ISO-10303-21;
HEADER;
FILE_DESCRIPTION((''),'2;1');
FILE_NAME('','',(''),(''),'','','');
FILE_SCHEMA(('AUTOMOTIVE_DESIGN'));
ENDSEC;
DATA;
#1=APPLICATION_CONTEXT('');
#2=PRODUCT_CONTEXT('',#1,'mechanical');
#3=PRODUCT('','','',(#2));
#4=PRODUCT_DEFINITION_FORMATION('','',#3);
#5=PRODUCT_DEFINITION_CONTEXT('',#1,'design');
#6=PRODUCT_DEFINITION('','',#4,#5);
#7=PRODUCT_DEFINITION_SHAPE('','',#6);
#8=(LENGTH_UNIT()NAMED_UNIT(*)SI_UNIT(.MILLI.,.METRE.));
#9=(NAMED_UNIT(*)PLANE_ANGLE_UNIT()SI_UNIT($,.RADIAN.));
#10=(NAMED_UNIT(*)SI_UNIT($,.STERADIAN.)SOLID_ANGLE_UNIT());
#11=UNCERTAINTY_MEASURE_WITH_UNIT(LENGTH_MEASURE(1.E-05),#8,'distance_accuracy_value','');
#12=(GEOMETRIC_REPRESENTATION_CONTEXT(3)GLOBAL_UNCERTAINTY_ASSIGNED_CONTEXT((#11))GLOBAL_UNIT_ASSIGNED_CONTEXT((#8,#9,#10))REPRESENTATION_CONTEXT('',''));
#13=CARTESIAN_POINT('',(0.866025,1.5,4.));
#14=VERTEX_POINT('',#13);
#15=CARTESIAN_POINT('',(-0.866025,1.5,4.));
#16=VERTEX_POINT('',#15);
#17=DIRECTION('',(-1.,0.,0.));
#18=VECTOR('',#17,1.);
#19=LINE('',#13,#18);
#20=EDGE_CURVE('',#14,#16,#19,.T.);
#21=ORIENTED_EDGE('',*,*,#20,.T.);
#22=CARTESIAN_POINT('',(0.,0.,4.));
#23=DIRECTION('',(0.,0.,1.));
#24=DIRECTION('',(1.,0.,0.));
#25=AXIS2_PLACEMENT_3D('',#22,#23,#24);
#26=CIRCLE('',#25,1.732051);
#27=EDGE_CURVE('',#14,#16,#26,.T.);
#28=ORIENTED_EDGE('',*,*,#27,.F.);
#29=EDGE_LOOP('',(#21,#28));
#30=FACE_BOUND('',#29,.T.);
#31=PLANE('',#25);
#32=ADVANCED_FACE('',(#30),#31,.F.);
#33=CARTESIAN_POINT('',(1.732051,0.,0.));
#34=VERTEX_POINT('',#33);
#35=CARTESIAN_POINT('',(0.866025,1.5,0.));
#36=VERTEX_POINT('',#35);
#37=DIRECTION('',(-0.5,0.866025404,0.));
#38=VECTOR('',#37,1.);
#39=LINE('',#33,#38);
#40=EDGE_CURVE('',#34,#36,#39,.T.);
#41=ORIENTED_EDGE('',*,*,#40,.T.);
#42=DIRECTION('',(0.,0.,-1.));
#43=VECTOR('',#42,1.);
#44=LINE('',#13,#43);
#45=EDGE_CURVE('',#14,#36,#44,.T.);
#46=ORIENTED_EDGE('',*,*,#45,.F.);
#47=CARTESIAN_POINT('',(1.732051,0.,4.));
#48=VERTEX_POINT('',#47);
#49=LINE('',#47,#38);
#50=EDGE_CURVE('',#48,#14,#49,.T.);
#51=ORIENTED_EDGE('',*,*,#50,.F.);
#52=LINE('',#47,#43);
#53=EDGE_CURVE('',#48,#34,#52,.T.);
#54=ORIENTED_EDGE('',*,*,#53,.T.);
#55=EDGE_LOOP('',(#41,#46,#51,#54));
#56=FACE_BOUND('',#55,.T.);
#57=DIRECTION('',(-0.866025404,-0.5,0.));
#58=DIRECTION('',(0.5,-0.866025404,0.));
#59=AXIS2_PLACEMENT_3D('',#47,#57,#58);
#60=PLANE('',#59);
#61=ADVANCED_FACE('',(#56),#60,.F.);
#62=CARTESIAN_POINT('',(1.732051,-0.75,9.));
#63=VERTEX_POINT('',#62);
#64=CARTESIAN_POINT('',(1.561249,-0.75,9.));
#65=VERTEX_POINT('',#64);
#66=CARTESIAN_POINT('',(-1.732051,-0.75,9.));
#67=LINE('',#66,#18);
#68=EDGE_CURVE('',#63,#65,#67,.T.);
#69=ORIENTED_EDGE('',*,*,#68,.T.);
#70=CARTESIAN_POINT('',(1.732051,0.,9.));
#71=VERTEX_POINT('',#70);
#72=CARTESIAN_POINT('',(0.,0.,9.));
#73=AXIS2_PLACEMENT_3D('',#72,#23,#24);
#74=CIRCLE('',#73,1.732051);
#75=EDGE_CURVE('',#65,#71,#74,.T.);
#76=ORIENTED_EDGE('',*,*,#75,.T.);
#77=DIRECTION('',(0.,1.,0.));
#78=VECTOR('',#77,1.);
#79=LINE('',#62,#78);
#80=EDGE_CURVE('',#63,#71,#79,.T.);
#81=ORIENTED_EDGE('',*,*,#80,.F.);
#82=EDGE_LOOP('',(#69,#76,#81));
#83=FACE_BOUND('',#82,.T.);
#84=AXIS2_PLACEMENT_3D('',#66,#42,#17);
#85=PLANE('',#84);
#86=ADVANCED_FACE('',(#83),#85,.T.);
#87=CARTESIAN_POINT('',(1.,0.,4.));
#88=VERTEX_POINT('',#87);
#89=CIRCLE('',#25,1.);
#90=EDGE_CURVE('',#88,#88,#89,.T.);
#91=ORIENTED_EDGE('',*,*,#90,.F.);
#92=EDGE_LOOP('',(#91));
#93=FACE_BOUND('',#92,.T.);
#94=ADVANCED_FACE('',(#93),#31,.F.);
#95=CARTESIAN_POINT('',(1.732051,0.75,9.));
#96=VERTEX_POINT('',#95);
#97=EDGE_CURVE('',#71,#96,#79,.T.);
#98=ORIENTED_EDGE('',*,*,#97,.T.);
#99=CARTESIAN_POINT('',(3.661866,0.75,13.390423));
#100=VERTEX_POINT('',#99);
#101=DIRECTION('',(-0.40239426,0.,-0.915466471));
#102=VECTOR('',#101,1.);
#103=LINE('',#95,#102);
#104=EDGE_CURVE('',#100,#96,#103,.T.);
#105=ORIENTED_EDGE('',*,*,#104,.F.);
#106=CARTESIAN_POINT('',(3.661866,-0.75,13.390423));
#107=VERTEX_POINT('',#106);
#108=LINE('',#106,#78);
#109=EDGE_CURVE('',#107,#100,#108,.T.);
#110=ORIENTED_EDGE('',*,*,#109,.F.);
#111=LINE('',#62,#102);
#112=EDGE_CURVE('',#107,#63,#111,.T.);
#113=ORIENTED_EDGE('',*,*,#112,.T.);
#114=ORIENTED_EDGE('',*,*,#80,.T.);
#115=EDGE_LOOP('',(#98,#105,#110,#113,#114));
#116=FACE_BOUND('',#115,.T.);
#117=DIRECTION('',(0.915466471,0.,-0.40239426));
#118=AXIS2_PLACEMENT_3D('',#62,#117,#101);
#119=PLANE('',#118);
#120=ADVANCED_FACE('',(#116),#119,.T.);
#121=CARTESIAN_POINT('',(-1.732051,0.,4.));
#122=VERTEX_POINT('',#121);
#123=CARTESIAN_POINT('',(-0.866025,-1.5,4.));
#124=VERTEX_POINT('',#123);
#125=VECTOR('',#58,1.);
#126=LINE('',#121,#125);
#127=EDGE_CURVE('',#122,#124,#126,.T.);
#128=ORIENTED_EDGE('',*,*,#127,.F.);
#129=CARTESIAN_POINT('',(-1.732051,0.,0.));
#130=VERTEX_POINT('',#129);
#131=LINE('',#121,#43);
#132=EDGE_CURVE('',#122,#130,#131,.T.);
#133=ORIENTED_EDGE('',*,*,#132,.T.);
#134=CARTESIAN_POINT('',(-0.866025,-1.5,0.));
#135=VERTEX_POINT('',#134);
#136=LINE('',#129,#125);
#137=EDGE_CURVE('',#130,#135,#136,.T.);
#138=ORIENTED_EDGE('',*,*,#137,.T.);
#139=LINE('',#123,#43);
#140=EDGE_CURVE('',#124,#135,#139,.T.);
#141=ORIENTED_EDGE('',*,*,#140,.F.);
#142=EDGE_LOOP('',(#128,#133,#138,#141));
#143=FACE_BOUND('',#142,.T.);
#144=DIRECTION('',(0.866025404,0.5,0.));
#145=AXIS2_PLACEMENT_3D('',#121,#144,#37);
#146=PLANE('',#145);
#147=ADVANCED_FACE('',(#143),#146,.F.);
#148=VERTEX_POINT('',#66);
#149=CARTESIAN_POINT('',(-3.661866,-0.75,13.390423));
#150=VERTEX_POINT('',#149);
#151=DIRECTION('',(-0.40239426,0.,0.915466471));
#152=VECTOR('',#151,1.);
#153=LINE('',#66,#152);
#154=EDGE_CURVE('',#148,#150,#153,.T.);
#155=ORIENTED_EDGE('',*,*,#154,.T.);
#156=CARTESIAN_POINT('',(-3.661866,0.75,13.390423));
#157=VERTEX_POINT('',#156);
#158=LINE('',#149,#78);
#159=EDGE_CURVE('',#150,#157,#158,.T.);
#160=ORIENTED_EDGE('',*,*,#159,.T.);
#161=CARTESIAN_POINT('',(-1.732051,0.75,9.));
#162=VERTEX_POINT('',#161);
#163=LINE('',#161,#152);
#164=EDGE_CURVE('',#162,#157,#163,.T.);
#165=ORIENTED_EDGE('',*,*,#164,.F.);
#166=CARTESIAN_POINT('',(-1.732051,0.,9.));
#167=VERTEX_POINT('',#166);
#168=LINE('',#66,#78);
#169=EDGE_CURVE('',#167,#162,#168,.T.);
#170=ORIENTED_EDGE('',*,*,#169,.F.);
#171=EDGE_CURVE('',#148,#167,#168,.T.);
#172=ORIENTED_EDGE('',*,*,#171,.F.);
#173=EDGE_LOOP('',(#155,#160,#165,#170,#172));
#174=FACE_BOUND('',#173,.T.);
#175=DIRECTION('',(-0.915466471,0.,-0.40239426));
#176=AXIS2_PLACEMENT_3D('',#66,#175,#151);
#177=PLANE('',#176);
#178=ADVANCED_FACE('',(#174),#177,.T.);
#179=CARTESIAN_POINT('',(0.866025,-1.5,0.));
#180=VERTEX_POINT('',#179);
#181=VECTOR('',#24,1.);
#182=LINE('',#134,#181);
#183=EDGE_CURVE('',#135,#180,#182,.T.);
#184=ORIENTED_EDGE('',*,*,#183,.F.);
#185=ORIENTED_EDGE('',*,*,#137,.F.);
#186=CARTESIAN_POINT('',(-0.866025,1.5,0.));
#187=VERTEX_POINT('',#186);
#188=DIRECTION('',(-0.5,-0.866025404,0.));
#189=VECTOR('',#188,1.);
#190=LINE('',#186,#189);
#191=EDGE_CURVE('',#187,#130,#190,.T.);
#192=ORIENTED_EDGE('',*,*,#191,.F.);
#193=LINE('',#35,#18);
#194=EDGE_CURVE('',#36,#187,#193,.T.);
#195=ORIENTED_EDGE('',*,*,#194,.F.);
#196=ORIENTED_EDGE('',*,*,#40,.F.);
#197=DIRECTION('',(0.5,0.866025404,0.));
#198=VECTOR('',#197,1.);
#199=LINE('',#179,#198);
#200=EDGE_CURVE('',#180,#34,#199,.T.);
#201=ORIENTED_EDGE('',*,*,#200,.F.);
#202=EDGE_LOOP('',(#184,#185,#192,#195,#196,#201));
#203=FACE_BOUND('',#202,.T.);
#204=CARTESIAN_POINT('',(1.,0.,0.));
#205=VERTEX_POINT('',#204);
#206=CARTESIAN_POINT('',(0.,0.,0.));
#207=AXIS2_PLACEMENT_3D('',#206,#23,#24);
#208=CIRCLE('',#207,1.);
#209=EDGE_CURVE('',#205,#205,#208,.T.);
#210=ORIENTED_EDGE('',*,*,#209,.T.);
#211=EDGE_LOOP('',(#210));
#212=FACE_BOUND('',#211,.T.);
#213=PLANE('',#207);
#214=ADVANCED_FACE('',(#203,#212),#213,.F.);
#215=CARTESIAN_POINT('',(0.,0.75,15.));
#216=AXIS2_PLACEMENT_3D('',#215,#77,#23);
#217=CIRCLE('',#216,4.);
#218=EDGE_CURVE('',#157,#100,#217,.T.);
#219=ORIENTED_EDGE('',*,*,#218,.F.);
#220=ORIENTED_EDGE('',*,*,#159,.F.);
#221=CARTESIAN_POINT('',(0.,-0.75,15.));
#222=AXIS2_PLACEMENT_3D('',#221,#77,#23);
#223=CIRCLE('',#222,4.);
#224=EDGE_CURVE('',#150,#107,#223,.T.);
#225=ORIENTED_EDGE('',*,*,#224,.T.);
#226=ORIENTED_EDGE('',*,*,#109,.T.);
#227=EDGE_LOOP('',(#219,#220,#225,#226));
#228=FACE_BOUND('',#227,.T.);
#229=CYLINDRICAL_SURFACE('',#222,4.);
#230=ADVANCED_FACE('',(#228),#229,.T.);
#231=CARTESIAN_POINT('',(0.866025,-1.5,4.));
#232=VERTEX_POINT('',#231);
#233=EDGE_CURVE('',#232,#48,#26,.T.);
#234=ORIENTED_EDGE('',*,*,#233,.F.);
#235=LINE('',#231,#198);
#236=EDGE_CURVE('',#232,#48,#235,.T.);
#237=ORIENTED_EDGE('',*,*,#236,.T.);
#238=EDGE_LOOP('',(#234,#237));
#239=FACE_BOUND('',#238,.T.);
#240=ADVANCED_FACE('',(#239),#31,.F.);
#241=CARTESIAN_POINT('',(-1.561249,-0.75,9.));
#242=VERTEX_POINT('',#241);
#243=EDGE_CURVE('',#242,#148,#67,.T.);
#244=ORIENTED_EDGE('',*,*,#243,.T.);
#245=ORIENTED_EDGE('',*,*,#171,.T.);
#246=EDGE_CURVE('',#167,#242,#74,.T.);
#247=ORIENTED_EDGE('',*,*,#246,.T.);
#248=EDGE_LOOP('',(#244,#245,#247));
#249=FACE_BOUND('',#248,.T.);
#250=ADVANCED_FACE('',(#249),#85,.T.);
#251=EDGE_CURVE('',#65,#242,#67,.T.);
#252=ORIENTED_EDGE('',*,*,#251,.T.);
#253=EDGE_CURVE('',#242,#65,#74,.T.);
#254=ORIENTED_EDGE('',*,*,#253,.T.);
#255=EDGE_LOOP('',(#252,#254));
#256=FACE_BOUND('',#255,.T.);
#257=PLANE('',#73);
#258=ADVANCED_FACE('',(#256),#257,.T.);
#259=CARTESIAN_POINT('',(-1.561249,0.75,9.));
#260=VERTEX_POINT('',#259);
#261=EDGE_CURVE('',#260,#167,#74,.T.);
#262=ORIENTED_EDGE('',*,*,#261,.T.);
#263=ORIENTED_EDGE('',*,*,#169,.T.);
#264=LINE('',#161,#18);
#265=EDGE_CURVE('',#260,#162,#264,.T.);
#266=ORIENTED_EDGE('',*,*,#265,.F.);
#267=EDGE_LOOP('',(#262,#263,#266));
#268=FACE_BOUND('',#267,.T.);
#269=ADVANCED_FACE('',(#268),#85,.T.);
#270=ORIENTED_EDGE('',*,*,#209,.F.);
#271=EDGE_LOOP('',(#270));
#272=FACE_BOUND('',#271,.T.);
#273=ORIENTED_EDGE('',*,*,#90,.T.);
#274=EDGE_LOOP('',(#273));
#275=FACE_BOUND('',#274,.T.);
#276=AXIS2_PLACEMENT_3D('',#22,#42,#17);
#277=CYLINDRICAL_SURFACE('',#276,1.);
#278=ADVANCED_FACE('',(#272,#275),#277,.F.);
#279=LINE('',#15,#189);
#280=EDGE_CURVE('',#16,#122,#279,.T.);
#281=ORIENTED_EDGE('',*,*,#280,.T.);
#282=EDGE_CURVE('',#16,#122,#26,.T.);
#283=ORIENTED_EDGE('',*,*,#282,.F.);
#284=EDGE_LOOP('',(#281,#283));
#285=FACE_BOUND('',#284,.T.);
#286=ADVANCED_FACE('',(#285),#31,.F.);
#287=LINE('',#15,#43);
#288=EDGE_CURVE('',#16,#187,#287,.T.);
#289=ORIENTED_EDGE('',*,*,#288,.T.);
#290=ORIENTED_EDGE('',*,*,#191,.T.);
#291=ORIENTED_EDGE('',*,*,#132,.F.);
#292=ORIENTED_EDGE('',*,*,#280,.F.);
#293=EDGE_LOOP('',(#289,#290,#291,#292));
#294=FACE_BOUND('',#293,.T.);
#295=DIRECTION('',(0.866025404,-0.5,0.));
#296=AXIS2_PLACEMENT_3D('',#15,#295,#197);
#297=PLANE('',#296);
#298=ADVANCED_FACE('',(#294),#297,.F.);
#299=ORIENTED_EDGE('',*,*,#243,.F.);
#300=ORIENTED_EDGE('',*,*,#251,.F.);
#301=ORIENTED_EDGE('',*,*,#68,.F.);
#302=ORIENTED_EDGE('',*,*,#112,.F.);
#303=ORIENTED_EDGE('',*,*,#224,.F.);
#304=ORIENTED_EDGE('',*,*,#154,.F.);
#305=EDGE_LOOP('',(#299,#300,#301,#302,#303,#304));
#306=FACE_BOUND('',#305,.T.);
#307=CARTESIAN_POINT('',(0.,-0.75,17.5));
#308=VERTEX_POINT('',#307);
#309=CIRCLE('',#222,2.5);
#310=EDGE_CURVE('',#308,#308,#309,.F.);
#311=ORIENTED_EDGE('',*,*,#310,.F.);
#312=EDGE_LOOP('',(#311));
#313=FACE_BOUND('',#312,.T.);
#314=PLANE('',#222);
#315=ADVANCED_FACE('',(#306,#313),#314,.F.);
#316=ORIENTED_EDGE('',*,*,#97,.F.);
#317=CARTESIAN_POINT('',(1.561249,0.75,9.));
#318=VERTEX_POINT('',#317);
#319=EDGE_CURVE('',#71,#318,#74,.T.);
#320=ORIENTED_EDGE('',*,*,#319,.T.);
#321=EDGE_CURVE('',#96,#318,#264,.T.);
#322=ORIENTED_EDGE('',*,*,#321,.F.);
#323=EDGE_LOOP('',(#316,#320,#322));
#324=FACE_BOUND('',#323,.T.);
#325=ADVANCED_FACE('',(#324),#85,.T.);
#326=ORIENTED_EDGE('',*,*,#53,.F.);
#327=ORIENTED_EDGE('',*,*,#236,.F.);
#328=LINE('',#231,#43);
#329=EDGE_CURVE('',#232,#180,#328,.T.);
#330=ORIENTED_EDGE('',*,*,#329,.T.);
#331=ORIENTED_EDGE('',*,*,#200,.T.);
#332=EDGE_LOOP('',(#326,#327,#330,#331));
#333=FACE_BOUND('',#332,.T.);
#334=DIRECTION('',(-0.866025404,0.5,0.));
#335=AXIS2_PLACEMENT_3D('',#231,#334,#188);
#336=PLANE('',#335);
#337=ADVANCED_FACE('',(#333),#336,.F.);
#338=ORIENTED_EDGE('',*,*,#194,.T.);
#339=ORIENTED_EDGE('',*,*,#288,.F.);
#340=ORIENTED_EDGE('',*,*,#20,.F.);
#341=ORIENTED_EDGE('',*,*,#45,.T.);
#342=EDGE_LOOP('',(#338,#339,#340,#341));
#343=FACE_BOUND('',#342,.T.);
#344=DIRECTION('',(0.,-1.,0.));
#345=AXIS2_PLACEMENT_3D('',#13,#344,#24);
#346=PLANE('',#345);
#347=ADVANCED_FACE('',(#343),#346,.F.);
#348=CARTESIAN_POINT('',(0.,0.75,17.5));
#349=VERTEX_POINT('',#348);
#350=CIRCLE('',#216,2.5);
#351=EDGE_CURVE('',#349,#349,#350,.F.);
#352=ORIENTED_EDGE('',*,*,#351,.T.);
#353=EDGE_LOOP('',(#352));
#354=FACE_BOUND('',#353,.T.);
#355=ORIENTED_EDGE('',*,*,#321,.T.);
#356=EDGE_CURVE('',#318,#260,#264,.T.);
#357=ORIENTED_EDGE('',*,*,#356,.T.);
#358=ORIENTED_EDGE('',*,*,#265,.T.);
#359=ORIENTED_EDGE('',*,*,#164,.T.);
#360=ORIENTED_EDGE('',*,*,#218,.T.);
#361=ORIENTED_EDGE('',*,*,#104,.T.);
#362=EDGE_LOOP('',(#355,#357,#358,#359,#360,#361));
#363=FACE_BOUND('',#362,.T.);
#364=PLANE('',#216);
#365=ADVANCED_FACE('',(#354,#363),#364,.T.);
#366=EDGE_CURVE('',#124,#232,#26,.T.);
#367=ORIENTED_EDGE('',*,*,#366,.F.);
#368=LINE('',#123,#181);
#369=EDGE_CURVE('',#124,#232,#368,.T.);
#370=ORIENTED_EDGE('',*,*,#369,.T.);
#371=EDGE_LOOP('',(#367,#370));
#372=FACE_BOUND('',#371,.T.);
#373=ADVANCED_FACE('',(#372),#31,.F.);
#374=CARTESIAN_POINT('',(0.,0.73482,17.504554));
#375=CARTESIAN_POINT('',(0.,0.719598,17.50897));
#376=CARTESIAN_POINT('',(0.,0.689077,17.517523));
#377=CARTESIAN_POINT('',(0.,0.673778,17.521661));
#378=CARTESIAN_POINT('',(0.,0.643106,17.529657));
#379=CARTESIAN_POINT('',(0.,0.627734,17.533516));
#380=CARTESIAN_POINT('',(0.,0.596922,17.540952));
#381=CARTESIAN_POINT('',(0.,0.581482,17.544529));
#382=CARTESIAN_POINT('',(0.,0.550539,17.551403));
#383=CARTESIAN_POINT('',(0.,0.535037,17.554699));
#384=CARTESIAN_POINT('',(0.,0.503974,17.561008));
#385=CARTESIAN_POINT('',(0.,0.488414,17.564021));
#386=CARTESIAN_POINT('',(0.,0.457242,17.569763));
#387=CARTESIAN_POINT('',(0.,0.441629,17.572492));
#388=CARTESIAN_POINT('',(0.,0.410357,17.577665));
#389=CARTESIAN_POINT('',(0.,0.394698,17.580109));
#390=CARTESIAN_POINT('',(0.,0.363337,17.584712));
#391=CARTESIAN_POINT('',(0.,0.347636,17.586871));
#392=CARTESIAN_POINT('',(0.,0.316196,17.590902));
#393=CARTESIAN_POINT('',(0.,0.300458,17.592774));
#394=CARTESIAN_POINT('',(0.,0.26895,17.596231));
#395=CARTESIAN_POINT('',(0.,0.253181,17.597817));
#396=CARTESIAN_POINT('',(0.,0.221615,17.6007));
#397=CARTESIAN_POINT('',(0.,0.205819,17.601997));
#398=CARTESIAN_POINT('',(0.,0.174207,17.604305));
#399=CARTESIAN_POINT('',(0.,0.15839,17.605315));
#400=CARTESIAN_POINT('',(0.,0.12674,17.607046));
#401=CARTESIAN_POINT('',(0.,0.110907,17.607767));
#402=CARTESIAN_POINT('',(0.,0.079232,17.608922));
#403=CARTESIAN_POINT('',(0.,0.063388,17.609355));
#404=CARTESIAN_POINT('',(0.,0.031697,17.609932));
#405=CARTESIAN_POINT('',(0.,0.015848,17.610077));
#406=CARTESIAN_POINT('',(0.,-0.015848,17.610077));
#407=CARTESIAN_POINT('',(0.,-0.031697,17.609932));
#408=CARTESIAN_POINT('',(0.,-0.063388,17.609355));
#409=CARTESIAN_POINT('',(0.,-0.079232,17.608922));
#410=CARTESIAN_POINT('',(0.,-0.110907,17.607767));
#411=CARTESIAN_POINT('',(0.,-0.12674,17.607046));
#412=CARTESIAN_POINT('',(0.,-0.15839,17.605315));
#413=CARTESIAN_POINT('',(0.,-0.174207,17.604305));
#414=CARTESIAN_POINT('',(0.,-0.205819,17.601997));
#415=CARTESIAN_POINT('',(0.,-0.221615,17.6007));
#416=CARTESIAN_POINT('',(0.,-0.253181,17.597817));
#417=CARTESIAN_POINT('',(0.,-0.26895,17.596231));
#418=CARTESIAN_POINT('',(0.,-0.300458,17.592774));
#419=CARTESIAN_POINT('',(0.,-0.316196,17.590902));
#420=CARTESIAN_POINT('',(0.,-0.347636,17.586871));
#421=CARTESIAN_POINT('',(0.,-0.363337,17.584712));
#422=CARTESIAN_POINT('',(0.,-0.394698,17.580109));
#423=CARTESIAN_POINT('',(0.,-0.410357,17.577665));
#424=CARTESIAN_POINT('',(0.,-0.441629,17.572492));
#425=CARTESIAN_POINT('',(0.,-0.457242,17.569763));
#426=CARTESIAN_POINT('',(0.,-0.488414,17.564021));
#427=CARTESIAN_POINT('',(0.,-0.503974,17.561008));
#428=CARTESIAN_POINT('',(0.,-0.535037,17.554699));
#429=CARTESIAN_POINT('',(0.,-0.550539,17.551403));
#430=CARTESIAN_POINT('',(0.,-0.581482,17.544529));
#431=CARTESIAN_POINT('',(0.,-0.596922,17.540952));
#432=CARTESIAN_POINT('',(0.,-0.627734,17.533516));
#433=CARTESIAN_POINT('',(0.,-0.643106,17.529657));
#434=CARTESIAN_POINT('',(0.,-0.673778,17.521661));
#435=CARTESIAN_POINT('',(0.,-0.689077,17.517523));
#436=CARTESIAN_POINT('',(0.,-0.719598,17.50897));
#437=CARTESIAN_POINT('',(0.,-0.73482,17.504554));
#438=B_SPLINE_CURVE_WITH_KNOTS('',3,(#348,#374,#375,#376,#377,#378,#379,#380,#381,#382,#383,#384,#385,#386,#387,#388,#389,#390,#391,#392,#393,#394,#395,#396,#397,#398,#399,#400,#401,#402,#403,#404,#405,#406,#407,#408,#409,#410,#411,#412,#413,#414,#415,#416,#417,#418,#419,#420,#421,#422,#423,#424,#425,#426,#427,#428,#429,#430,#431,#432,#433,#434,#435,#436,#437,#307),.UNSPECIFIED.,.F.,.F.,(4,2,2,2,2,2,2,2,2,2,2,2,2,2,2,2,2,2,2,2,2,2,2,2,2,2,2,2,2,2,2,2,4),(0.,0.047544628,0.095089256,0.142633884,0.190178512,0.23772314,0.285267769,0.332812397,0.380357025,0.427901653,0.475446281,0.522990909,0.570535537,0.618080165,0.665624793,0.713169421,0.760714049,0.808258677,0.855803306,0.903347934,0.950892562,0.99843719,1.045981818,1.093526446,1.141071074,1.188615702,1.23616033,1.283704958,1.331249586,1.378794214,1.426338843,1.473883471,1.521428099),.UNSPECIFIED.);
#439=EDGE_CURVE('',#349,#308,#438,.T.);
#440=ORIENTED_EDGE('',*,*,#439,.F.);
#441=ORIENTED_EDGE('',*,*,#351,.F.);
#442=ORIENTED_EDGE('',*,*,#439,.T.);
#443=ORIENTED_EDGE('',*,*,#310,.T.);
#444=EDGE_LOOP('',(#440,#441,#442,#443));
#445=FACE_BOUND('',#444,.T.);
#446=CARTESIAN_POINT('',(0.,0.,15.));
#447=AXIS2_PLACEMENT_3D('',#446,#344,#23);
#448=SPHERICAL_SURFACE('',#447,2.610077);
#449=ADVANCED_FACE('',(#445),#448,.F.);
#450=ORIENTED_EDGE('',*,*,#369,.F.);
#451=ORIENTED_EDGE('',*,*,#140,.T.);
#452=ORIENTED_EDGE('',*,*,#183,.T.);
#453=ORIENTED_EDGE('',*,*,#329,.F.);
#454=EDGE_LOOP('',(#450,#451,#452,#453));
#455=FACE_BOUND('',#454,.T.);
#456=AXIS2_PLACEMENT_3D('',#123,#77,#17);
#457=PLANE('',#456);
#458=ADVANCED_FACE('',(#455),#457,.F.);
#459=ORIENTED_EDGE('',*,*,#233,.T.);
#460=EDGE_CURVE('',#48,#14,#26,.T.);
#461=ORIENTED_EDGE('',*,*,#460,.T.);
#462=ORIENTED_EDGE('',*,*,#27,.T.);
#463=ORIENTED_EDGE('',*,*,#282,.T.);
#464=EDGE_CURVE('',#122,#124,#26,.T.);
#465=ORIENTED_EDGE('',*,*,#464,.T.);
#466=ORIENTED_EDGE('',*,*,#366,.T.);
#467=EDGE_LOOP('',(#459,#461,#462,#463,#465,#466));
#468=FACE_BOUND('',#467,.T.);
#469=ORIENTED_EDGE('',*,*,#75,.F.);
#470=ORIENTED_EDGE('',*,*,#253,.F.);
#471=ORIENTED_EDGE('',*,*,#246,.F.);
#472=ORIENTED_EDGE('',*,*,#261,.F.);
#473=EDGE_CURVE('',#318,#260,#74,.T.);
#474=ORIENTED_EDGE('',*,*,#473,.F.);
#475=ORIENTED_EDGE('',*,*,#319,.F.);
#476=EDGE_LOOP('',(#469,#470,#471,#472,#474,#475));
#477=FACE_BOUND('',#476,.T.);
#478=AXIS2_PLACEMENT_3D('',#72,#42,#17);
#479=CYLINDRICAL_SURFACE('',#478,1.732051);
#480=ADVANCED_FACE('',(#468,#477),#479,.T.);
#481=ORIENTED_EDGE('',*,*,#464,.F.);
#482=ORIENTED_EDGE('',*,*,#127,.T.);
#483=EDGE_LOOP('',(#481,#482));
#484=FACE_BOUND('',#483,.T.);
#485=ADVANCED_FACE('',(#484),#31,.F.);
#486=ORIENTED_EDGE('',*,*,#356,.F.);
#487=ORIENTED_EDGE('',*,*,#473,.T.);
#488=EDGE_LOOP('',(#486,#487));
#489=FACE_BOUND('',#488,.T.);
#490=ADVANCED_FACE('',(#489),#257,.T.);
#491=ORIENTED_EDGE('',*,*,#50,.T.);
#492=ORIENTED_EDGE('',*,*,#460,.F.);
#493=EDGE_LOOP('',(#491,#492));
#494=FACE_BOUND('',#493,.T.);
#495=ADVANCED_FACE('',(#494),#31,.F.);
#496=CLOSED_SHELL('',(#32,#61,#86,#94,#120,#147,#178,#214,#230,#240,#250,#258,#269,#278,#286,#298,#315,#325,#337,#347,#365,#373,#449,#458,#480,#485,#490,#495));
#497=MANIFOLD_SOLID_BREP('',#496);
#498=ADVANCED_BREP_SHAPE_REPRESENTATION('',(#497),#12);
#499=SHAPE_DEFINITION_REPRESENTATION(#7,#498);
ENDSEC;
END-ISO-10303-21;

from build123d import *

# Parameters (mm, degrees)
SKETCH_1_R           = 1
EXTRUDE_1_DEPTH      = 4
EXTRUDE_START        = 4
SKETCH_2_R           = 1.732050808
EXTRUDE_2_DEPTH      = 5
EXTRUDE_3_DEPTH      = 0.75
EXTRUDE_3_DEPTH_BACK = 0.75
SKETCH_3_R           = 2.5


with BuildPart() as part:
    # 草图1 → 凸台-拉伸1 (new body)
    with BuildSketch(Plane.XY):
        Polygon((0.866025404, 1.5), (-0.866025404, 1.5), (-1.732050808, 0), (-0.866025404, -1.5), (0.866025404, -1.5), (1.732050808, 0), align=None)
        Circle(SKETCH_1_R, mode=Mode.SUBTRACT)
    extrude(amount=EXTRUDE_1_DEPTH)

    # 草图2 → 凸台-拉伸2 (add)
    with BuildSketch(Plane.XY.offset(EXTRUDE_START)):
        Circle(SKETCH_2_R)
    extrude(amount=EXTRUDE_2_DEPTH)

    # 草图3 → 凸台-拉伸3 (add, two sides: drawn at the far end of the back side and taken through both)
    with BuildSketch(Plane(origin=(0, 0, 0), x_dir=(1, 0, 0), z_dir=(0, 1, 0)).offset(-EXTRUDE_3_DEPTH_BACK)):
        with BuildLine():
            Line((-1.732050808, -9), (-3.661865884, -13.39042296))
            ThreePointArc((-3.661865884, -13.39042296), (0, -19), (3.661865884, -13.39042296))
            Line((3.661865884, -13.39042296), (1.732050808, -9))
            Line((1.732050808, -9), (-1.732050808, -9))
        make_face()
        with Locations(Location((0, -15, 0), (0, 0, 270))):
            Circle(SKETCH_3_R, mode=Mode.SUBTRACT)
    extrude(amount=EXTRUDE_3_DEPTH + EXTRUDE_3_DEPTH_BACK)

    # 草图4 → 切除-旋转2 (revolve, cut)
    with BuildSketch(Plane(origin=(0, 0, 0), x_dir=(0, 0, -1), z_dir=(1, 0, 0))):
        with BuildLine():
            Line((-15, -2.610076627), (-15, 2.610076627))
            ThreePointArc((-15, 2.610076627), (-17.610076627, 0), (-15, -2.610076627))
        make_face()
    revolve(axis=Axis((0, -2.610076627, 15), (0, 1, 0)), mode=Mode.SUBTRACT)


solid = part.part
